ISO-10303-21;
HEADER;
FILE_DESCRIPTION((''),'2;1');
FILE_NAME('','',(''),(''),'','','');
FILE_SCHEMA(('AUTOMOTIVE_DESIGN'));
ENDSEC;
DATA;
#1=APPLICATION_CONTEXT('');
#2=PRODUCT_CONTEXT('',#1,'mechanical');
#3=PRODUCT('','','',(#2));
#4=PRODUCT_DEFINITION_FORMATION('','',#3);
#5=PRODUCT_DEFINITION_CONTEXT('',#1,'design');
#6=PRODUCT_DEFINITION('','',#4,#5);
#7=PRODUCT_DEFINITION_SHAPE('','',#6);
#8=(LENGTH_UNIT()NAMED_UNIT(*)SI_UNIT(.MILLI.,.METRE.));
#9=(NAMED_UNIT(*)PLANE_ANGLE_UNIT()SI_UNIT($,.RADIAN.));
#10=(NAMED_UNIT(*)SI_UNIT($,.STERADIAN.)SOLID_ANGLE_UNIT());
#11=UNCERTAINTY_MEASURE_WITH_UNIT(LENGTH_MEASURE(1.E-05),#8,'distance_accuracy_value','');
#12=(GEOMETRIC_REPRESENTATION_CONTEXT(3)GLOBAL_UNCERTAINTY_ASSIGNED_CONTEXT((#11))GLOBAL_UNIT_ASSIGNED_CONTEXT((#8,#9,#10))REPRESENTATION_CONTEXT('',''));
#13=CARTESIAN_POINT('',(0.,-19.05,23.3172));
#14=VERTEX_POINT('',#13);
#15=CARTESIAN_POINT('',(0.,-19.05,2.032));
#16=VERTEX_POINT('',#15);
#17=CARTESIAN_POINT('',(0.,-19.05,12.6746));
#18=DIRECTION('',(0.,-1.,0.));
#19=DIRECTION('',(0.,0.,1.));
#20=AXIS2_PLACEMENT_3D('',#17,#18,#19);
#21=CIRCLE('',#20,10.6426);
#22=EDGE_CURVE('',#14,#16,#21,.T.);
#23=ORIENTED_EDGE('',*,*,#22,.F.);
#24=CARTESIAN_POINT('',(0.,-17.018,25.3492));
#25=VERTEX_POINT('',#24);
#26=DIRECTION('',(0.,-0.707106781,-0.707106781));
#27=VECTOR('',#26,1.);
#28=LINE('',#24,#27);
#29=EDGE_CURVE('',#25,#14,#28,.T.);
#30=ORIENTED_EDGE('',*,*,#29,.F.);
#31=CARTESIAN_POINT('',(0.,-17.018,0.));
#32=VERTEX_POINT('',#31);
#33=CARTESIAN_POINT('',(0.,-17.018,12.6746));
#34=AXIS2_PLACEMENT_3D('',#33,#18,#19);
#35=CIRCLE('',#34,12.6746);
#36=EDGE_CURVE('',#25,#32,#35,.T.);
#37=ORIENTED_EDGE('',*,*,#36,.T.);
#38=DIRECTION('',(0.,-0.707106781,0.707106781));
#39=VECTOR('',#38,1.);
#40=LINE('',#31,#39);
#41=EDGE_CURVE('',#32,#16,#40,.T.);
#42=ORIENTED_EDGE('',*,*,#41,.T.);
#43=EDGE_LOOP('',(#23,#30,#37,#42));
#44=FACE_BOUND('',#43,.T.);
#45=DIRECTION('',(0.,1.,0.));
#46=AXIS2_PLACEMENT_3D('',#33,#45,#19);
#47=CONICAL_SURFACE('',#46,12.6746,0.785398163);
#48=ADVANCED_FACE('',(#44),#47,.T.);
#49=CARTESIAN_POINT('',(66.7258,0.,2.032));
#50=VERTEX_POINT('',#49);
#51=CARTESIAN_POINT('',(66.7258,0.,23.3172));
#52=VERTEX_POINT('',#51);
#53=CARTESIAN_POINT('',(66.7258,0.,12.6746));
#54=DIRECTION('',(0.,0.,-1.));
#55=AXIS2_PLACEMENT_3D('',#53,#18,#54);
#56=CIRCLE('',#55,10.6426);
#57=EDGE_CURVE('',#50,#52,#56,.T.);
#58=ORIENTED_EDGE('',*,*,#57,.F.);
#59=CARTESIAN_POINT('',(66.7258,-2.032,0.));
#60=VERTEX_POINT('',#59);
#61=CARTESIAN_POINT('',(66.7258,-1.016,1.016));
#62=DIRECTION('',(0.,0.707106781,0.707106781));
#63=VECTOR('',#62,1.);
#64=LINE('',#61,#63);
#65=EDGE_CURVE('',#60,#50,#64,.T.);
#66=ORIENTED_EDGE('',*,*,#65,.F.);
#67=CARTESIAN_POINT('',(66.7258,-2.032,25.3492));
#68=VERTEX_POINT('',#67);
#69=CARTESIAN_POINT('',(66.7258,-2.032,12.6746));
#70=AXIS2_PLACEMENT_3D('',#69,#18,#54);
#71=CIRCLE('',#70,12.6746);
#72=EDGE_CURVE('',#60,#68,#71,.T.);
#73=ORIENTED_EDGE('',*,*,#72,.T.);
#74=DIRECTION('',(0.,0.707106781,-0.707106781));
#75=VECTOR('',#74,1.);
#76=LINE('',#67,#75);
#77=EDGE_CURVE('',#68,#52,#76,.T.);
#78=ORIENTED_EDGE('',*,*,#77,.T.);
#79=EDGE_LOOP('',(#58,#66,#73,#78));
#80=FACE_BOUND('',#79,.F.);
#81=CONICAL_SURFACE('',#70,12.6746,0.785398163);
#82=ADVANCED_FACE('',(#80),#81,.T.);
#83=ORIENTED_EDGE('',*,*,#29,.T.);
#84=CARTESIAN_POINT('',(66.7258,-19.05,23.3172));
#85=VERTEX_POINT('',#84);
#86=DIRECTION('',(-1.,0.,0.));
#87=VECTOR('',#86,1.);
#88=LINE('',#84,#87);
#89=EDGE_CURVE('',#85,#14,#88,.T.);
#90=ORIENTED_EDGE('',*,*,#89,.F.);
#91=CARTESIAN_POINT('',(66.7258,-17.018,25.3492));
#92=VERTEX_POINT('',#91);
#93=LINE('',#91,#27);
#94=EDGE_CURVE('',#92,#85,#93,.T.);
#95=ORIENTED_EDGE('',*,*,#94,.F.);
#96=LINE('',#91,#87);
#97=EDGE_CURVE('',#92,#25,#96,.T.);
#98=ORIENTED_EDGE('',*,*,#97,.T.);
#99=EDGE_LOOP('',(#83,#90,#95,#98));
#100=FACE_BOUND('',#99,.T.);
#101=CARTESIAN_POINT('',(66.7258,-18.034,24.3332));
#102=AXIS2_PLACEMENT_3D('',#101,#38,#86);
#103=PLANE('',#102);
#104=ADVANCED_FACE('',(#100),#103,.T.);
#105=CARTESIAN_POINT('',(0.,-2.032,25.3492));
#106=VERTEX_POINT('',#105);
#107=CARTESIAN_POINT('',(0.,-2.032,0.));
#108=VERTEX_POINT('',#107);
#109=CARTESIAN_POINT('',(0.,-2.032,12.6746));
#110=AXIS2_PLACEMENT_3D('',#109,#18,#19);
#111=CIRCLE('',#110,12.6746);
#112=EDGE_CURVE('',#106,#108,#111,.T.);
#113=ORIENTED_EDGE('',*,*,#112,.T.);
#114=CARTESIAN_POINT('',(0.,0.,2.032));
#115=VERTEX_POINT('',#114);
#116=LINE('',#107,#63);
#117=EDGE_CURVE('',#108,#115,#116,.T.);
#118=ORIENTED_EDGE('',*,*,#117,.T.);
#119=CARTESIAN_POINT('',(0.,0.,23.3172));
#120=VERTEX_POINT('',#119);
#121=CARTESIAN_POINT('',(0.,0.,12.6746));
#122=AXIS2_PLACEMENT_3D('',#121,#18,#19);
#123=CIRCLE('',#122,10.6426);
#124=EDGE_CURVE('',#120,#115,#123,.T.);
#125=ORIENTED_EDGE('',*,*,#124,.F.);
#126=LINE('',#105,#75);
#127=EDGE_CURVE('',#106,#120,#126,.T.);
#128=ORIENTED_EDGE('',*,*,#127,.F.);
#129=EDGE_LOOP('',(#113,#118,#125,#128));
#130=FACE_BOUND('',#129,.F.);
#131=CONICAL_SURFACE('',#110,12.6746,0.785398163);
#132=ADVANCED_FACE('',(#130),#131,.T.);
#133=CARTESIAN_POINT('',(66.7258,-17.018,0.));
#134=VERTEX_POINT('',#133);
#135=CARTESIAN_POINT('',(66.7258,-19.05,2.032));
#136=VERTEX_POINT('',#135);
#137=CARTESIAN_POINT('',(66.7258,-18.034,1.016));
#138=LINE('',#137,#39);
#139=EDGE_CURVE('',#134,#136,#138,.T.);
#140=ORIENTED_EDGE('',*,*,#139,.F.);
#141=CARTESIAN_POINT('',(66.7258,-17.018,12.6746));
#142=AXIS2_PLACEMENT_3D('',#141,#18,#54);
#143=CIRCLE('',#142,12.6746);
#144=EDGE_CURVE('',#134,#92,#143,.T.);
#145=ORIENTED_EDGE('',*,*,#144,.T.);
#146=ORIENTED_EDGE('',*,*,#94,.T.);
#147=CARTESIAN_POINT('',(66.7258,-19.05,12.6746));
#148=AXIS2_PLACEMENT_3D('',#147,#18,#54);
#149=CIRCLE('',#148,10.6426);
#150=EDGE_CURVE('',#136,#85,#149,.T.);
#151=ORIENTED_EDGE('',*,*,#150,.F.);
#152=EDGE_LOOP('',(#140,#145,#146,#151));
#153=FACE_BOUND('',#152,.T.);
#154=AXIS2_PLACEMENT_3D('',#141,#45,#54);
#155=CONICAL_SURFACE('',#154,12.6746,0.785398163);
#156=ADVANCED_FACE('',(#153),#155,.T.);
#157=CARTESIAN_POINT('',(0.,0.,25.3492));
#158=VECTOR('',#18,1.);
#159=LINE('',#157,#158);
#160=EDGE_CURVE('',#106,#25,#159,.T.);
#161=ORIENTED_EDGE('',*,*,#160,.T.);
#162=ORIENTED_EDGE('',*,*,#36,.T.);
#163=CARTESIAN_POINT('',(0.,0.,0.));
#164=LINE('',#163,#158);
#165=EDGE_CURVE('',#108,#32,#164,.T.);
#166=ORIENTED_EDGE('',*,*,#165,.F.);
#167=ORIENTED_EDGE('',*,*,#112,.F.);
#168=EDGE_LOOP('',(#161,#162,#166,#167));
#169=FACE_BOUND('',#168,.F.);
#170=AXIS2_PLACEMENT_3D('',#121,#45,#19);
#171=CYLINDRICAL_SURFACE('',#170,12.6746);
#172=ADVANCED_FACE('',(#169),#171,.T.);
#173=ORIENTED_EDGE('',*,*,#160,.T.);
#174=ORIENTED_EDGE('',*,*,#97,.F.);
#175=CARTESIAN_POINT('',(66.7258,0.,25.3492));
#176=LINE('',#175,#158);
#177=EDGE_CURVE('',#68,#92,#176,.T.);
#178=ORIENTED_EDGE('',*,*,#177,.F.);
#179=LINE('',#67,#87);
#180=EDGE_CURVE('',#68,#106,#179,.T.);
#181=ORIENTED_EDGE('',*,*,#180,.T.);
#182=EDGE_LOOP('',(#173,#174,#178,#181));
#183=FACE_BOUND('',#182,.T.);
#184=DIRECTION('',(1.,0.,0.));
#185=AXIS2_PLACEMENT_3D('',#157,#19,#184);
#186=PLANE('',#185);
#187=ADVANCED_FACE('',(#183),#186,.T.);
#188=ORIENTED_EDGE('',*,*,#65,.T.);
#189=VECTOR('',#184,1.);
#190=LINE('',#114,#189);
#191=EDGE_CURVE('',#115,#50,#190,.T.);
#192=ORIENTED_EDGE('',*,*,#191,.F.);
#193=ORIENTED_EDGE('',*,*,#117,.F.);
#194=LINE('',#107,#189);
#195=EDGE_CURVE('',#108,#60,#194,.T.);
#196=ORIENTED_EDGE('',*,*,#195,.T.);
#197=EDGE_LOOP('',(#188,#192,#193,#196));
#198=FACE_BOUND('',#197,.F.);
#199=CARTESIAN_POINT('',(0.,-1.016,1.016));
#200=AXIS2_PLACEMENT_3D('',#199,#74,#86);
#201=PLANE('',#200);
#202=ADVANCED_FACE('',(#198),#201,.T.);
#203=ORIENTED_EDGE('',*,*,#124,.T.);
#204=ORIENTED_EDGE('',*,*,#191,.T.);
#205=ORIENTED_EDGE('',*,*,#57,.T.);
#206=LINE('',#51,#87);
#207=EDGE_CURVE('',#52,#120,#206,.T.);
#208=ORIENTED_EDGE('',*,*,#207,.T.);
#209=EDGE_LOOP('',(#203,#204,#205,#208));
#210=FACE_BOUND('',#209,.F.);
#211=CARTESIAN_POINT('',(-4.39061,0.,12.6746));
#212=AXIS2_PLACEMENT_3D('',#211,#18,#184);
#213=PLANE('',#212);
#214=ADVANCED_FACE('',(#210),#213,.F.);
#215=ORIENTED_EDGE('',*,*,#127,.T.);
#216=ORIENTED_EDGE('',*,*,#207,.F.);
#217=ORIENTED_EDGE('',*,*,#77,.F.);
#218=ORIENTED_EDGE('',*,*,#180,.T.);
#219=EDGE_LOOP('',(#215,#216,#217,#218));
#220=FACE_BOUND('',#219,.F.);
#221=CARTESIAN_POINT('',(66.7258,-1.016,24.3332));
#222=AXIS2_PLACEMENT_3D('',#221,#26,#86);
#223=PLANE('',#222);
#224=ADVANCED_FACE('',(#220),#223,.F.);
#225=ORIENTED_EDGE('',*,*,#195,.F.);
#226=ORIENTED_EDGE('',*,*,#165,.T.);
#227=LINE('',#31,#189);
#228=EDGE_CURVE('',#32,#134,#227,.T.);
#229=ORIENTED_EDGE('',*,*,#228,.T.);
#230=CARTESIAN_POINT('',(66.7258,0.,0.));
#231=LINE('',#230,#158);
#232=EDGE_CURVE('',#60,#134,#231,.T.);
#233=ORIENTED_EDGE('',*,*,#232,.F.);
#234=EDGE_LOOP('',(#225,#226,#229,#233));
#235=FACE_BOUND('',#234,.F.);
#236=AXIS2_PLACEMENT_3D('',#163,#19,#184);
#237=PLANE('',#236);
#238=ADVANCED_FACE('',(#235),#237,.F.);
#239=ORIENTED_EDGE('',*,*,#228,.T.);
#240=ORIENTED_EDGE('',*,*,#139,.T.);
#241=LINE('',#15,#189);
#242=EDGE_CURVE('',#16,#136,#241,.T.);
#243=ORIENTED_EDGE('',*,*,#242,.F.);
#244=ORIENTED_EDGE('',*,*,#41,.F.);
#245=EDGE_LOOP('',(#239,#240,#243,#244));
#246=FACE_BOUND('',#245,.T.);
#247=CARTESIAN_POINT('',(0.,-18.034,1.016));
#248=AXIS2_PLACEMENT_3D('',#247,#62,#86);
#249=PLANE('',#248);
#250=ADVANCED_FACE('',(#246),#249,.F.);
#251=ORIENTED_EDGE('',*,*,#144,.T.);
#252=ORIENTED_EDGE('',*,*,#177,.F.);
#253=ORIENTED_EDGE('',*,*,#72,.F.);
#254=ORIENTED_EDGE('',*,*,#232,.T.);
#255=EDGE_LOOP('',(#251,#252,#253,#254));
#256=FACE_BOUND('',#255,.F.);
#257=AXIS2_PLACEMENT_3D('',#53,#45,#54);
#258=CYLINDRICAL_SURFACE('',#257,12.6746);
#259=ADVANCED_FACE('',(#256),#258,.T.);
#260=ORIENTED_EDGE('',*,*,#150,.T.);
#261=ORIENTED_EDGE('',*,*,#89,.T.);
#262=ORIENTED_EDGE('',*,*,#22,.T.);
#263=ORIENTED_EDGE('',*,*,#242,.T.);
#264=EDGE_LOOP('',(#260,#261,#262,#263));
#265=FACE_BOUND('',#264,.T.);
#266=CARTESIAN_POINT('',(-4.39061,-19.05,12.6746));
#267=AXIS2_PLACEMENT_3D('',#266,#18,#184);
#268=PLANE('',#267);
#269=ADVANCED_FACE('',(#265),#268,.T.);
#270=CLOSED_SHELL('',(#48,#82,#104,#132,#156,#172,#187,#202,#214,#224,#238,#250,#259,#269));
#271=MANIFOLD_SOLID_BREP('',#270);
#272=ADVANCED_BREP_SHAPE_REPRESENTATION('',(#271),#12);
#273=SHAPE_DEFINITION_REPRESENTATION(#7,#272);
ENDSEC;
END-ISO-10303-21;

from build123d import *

# Parameters (mm, degrees)
F0_W     = 66.7258
F0_H     = 12.6746
F1_DEPTH = 19.05
F2_SIZE  = 2.032
F3_SIZE  = 2.032


with BuildPart() as f1:
    # F0 (on Front) → F1 (new body)
    with BuildSketch(Plane.XZ):
        with BuildLine():
            ThreePointArc((0, 25.3492), (-12.6746, 12.6746), (0, 0))
            Line((0, 0), (0, 12.6746))
            Line((0, 12.6746), (0, 25.3492))
        make_face()
        with Locations((33.3629, 19.0119)):
            Rectangle(F0_W, F0_H)
        with Locations((33.3629, 6.3373)):
            Rectangle(F0_W, F0_H)
        with BuildLine():
            Line((66.7258, 12.6746), (66.7258, 0))
            ThreePointArc((66.7258, 0), (79.4004, 12.6746), (66.7258, 25.3492))
            Line((66.7258, 25.3492), (66.7258, 12.6746))
        make_face()
    extrude(amount=F1_DEPTH)

    # F2
    f2_edges = [f1.edges().sort_by_distance(p)[0] for p in [
        (-12.6746, 0, 12.6746),
        (33.3629, 0, 0),
        (79.4004, 0, 12.6746),
        (33.3629, 0, 25.3492),
    ]]
    chamfer(f2_edges, length=F2_SIZE)

    # F3
    f3_edges = [f1.edges().sort_by_distance(p)[0] for p in [
        (-12.6746, -19.05, 12.6746),
        (33.3629, -19.05, 0),
        (79.4004, -19.05, 12.6746),
        (33.3629, -19.05, 25.3492),
    ]]
    chamfer(f3_edges, length=F3_SIZE)


solid = f1.part
